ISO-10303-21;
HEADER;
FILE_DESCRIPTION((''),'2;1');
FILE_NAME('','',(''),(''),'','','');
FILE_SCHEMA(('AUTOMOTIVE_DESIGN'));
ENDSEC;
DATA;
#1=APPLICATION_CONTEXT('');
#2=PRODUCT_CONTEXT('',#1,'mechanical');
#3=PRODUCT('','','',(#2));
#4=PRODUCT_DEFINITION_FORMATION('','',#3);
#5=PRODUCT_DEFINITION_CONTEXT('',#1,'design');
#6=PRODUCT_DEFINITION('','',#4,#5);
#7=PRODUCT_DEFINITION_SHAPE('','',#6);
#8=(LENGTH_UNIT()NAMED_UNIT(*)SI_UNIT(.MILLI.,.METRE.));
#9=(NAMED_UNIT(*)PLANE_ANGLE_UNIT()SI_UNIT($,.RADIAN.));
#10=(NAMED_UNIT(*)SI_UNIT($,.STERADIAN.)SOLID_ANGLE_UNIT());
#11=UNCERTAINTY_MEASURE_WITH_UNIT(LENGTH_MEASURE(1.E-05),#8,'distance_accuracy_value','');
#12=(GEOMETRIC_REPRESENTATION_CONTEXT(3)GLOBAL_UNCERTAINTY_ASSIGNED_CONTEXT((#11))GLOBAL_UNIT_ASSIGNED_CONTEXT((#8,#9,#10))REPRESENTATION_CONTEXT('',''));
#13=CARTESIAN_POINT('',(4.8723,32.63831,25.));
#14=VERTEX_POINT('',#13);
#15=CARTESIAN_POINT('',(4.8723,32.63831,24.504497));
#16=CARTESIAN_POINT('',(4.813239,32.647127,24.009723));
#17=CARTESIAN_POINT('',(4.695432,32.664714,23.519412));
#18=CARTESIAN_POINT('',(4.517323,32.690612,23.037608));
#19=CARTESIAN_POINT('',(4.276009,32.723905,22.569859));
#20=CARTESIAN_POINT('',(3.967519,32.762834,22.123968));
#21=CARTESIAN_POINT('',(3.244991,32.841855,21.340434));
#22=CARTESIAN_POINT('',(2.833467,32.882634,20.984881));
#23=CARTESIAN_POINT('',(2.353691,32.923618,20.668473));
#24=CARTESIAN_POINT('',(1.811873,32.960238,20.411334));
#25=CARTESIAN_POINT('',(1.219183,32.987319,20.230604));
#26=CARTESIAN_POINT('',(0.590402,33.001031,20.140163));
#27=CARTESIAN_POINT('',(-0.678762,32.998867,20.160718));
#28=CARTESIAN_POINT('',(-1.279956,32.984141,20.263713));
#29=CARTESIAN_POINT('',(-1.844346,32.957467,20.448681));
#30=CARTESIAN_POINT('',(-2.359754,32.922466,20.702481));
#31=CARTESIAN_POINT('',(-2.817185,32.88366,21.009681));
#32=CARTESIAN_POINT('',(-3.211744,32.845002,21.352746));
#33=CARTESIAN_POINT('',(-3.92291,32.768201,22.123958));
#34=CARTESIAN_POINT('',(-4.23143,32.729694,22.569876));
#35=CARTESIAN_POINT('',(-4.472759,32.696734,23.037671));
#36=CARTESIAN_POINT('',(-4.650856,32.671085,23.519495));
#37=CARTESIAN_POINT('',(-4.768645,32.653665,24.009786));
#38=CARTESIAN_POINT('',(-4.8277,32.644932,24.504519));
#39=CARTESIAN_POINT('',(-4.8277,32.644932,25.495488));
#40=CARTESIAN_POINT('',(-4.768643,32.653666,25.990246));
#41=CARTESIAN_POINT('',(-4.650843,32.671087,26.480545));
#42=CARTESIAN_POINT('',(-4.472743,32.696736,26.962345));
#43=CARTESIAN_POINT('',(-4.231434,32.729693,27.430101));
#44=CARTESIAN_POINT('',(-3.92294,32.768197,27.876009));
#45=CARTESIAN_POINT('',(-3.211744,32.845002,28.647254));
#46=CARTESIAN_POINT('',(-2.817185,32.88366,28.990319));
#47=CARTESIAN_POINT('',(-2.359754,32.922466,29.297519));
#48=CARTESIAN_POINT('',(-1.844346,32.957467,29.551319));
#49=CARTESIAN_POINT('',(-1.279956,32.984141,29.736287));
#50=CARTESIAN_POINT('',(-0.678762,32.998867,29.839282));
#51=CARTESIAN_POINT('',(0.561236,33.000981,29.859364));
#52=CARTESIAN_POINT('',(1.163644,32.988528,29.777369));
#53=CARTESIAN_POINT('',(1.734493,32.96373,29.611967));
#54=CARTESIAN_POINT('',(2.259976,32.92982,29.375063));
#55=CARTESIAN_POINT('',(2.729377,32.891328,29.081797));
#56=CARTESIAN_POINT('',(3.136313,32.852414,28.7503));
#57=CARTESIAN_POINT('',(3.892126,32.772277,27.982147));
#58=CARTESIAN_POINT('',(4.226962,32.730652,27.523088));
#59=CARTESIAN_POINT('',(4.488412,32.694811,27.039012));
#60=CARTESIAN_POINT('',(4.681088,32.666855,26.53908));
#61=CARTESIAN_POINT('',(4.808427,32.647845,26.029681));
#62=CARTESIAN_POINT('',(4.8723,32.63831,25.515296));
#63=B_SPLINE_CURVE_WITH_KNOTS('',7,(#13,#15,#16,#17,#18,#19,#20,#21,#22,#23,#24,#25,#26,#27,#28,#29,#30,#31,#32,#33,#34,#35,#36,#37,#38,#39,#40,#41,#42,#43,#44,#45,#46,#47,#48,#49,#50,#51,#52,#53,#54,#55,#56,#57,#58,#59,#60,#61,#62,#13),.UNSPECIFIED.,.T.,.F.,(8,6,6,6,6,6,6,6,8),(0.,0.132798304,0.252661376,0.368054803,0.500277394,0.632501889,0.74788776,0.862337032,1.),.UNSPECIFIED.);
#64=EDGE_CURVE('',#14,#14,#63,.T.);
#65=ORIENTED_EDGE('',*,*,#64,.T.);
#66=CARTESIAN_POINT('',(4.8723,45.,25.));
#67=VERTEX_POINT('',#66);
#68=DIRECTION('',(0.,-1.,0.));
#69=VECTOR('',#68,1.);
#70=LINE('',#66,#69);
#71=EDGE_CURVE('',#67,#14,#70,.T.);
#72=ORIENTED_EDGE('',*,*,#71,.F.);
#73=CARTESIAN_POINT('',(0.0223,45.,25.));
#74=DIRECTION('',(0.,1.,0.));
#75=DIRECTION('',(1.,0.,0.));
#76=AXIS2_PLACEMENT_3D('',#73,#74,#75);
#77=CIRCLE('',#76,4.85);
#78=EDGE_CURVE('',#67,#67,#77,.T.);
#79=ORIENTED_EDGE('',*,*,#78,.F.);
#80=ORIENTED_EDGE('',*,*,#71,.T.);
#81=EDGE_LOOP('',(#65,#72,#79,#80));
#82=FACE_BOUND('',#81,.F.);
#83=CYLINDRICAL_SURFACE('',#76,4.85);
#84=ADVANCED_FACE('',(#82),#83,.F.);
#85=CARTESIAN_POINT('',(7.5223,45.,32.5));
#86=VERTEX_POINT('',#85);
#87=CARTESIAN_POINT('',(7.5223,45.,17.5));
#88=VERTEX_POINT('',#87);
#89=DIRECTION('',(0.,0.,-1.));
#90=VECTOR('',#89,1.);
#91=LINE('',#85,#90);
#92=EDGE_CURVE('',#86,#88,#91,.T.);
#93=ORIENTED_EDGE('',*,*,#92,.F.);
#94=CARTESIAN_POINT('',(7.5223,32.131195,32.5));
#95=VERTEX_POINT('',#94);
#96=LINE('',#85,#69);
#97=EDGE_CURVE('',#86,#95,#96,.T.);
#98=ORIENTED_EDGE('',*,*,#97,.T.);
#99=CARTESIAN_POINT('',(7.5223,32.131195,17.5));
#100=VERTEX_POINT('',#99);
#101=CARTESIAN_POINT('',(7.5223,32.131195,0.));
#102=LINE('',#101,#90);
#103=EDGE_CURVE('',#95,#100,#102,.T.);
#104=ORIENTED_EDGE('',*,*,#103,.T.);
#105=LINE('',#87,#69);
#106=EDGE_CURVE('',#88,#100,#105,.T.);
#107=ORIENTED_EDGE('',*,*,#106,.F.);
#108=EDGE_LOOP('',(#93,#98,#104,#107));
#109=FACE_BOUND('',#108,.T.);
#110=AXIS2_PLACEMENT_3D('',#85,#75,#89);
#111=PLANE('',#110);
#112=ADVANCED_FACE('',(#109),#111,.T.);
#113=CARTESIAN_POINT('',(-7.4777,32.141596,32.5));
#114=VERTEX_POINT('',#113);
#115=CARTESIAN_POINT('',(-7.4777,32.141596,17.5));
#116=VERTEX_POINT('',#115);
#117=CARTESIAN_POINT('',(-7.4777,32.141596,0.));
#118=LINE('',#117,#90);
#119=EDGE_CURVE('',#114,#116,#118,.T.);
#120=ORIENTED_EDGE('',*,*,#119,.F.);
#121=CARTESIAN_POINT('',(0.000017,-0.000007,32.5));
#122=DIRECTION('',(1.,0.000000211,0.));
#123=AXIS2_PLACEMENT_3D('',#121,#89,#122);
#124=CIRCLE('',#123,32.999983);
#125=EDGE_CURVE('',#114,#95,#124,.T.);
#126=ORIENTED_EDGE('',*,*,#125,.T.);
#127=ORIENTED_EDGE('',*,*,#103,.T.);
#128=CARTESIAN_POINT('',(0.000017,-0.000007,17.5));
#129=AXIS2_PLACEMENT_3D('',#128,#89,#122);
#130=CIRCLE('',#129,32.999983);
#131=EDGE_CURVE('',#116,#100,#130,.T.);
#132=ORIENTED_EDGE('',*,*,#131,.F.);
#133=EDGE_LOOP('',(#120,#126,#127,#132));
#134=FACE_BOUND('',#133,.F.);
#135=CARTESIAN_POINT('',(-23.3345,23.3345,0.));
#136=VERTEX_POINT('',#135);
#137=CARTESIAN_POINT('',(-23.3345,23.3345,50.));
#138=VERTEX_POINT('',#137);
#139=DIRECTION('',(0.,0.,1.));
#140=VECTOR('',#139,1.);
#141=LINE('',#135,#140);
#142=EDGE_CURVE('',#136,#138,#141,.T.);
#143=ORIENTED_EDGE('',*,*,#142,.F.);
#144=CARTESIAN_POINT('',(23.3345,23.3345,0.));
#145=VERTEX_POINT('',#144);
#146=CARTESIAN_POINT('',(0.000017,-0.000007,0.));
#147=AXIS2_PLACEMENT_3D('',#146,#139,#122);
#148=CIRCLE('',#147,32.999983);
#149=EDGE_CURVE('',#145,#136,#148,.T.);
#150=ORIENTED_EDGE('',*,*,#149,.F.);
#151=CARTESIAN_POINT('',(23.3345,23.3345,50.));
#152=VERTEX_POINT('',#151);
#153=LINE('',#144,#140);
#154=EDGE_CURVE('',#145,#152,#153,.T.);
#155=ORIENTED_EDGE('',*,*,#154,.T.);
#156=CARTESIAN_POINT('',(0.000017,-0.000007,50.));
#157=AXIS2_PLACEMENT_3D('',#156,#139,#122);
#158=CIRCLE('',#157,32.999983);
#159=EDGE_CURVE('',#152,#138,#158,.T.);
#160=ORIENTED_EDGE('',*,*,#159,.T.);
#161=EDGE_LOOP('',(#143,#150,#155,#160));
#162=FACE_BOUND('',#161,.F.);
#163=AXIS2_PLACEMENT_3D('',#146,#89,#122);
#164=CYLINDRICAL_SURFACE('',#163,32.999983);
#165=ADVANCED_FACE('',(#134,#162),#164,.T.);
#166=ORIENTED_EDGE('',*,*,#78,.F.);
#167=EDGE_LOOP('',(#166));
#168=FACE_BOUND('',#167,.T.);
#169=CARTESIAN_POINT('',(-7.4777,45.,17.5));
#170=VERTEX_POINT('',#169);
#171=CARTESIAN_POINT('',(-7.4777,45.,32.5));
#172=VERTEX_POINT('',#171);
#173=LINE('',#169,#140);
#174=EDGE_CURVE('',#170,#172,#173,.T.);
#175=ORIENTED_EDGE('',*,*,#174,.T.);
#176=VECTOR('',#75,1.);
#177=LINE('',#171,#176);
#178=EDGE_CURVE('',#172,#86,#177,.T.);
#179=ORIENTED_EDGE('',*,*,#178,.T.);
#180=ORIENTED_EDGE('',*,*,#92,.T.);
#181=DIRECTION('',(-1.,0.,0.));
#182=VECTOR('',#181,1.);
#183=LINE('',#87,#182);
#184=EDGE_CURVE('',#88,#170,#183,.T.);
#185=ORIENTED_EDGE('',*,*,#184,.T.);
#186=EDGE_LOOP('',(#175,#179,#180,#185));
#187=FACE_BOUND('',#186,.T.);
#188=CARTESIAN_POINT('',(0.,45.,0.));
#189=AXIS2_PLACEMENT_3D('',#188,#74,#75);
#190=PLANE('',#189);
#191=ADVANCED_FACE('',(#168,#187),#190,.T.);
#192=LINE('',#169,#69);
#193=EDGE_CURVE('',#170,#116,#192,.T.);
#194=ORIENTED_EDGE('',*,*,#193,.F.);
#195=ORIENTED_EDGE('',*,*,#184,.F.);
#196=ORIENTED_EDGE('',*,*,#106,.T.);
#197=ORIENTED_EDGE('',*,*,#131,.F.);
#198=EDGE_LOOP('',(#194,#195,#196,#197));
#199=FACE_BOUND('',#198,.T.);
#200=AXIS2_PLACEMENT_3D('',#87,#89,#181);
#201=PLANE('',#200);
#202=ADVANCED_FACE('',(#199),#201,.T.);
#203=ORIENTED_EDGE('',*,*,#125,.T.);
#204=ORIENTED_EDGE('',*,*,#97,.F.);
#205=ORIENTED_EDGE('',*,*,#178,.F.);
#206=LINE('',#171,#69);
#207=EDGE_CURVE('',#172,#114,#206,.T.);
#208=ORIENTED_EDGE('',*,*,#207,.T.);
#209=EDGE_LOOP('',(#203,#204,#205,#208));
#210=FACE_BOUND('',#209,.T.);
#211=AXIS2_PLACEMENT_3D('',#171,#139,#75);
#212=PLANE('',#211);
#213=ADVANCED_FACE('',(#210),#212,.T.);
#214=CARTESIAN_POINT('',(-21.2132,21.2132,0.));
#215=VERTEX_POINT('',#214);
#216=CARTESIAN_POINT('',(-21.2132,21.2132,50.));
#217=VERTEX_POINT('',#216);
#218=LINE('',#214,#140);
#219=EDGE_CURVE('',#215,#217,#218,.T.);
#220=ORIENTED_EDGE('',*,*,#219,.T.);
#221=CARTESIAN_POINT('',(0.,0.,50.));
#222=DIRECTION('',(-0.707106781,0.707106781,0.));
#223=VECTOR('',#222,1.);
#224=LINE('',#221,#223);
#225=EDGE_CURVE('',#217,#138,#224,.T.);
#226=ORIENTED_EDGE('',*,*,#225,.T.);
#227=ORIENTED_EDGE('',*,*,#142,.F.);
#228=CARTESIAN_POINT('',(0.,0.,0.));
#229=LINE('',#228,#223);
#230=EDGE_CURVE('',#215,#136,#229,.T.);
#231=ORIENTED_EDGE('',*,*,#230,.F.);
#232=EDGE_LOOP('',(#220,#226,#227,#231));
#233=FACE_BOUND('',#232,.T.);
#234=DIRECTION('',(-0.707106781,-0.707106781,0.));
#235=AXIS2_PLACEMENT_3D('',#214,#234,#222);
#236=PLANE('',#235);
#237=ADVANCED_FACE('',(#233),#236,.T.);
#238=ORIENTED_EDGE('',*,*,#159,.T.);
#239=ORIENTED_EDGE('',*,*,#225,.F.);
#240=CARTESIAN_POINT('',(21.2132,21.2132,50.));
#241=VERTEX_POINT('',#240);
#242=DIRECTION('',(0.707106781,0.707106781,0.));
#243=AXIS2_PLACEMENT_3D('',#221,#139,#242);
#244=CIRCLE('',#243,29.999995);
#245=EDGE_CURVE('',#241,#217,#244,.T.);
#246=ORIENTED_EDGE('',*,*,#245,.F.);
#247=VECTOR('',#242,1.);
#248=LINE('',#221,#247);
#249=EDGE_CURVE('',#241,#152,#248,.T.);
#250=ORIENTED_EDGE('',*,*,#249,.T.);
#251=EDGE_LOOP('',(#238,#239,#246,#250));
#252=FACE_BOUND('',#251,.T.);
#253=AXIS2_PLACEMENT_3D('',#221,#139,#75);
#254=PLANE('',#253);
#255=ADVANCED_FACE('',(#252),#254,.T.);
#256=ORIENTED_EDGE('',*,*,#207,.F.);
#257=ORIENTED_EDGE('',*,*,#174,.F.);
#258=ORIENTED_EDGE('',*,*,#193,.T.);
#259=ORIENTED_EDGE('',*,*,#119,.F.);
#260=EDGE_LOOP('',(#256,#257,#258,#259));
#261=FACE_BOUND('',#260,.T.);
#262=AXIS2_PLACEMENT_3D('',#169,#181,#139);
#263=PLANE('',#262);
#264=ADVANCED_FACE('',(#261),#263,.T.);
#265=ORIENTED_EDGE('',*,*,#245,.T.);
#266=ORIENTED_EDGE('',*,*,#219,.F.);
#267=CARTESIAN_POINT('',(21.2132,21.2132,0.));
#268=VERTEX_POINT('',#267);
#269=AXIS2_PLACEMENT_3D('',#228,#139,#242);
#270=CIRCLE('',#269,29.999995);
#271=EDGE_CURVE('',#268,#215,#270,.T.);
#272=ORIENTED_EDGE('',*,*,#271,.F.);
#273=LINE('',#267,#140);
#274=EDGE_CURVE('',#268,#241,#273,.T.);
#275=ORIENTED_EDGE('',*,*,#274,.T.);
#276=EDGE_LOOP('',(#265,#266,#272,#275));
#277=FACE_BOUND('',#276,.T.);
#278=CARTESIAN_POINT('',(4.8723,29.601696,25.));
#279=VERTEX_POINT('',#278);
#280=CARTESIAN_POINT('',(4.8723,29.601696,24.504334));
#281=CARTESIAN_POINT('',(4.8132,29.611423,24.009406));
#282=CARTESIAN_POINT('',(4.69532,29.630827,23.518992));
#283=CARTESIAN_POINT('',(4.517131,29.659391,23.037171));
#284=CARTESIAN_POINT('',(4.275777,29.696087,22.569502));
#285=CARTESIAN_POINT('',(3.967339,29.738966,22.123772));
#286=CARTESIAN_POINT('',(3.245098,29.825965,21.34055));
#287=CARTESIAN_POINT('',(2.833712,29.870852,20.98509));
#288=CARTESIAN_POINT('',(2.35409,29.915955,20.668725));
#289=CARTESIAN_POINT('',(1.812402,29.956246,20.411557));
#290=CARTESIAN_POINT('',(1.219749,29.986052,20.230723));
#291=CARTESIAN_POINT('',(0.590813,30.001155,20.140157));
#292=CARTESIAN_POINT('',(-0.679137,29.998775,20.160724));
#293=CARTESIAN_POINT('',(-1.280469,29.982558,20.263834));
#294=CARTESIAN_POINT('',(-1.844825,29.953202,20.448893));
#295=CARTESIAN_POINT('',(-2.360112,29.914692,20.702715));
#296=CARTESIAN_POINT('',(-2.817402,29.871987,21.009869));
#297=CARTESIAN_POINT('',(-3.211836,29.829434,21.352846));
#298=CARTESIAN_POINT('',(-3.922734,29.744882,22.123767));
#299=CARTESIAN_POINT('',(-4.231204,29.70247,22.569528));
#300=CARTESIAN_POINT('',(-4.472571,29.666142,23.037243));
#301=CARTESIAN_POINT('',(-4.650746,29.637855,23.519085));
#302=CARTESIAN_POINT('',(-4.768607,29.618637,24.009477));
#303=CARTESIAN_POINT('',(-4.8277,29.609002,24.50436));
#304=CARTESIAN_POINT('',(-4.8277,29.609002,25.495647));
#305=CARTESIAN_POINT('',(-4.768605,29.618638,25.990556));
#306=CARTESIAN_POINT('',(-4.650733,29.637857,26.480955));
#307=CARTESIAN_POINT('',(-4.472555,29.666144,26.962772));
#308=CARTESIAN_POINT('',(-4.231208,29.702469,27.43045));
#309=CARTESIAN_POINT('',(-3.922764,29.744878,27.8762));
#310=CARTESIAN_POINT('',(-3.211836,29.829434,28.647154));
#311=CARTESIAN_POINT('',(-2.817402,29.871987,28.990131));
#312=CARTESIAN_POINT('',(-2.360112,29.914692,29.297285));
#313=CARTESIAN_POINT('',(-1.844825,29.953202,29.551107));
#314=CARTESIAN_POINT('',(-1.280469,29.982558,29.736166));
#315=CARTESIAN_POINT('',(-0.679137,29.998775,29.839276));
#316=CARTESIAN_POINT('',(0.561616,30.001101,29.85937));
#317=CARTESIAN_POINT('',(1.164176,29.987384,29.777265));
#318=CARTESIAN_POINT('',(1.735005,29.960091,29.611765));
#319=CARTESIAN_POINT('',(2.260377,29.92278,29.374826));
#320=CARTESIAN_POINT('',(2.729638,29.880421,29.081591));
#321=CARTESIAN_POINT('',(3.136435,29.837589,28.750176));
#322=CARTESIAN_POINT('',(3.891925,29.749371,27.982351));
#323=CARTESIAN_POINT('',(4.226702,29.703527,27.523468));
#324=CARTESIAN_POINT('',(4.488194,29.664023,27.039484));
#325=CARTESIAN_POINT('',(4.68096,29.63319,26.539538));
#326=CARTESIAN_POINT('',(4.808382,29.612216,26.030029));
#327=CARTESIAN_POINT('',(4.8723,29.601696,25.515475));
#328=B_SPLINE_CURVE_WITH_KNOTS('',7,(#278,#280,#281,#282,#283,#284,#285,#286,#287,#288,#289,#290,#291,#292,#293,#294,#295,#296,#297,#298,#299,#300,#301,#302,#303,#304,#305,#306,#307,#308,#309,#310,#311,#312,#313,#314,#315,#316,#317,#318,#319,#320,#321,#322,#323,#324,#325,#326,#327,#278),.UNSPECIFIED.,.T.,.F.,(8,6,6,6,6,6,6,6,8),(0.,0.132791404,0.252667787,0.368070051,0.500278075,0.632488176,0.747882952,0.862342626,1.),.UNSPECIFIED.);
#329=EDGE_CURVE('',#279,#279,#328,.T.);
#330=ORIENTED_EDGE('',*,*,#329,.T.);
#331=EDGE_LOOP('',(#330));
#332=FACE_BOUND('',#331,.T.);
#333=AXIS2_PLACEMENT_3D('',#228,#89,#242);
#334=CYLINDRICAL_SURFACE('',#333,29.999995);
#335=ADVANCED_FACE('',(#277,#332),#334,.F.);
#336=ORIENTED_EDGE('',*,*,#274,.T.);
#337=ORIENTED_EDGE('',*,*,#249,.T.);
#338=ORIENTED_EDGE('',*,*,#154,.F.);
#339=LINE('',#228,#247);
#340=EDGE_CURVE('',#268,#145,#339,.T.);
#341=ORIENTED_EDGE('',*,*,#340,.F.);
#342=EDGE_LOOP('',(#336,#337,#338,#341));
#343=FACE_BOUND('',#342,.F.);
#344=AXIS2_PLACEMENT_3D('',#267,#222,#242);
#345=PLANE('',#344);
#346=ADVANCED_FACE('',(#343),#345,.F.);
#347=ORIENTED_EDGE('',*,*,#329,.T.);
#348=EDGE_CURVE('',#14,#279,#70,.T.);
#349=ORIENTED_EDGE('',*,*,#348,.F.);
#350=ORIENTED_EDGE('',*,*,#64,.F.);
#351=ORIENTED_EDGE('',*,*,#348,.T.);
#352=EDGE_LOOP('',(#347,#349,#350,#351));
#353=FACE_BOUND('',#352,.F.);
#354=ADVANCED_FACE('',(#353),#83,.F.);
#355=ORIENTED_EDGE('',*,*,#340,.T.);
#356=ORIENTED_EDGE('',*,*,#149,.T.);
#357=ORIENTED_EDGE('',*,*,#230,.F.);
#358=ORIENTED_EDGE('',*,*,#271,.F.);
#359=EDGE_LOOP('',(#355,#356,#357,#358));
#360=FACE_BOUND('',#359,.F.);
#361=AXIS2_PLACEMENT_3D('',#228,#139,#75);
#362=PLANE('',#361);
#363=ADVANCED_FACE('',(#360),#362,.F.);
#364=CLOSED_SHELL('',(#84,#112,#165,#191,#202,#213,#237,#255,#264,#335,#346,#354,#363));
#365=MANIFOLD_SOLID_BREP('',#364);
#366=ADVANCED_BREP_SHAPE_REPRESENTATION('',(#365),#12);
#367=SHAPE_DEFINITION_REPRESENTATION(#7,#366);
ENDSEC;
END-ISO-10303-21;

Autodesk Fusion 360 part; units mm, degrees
sketch "Boceto1" plane through (0, 0, 0) normal (0, 0, 1) x (1, 0, 0)
  line L0 (0, 0) -> (23.3345, 23.3345)
  line L1 (0, 0) -> (33, 0) construction
  line L2 (0, 0) -> (-23.3345, 23.3345)
  arc A0 (33, 0) -> (-23.3345, 23.3345) centre (0, 0) ccw
  arc A1 (21.2132, 21.2132) -> (-21.2132, 21.2132) centre (0, 0) ccw
  dimension "d1" = 60
  dimension "d3" = 45
extrude "Extruir1" add sketch "Boceto1" along normal blind 50 contours L0 L2 A0 A1
ref_plane "PlanoDeObra1" through (0, 45, 0) normal (0, 1, 0) x (0, 0, 1)
sketch "Boceto2" plane through (0, 45, 0) normal (0, 1, 0) x (1, 0, 0)
  circle A0 centre (0.0223, -25) radius 4.85
  line L0 (7.5223, -17.5) -> (-7.4777, -17.5)
  line L1 (-7.4777, -17.5) -> (-7.4777, -32.5)
  line L2 (-7.4777, -32.5) -> (7.5223, -32.5)
  line L3 (7.5223, -32.5) -> (7.5223, -17.5)
  line L4 (7.5223, -17.5) -> (-7.4777, -32.5) construction
  line L5 (-7.4777, -17.5) -> (7.5223, -32.5) construction
  point P0 (0.0223, -25)
  dimension "d7" = 9.7
  dimension "d8" = 25
  dimension "d9" = 15
  dimension "d10" = 15
extrude "Extruir2" add sketch "Boceto2" against normal blind 14
extrude "Extruir3" cut sketch "Boceto2" against normal blind 31 contours A0
